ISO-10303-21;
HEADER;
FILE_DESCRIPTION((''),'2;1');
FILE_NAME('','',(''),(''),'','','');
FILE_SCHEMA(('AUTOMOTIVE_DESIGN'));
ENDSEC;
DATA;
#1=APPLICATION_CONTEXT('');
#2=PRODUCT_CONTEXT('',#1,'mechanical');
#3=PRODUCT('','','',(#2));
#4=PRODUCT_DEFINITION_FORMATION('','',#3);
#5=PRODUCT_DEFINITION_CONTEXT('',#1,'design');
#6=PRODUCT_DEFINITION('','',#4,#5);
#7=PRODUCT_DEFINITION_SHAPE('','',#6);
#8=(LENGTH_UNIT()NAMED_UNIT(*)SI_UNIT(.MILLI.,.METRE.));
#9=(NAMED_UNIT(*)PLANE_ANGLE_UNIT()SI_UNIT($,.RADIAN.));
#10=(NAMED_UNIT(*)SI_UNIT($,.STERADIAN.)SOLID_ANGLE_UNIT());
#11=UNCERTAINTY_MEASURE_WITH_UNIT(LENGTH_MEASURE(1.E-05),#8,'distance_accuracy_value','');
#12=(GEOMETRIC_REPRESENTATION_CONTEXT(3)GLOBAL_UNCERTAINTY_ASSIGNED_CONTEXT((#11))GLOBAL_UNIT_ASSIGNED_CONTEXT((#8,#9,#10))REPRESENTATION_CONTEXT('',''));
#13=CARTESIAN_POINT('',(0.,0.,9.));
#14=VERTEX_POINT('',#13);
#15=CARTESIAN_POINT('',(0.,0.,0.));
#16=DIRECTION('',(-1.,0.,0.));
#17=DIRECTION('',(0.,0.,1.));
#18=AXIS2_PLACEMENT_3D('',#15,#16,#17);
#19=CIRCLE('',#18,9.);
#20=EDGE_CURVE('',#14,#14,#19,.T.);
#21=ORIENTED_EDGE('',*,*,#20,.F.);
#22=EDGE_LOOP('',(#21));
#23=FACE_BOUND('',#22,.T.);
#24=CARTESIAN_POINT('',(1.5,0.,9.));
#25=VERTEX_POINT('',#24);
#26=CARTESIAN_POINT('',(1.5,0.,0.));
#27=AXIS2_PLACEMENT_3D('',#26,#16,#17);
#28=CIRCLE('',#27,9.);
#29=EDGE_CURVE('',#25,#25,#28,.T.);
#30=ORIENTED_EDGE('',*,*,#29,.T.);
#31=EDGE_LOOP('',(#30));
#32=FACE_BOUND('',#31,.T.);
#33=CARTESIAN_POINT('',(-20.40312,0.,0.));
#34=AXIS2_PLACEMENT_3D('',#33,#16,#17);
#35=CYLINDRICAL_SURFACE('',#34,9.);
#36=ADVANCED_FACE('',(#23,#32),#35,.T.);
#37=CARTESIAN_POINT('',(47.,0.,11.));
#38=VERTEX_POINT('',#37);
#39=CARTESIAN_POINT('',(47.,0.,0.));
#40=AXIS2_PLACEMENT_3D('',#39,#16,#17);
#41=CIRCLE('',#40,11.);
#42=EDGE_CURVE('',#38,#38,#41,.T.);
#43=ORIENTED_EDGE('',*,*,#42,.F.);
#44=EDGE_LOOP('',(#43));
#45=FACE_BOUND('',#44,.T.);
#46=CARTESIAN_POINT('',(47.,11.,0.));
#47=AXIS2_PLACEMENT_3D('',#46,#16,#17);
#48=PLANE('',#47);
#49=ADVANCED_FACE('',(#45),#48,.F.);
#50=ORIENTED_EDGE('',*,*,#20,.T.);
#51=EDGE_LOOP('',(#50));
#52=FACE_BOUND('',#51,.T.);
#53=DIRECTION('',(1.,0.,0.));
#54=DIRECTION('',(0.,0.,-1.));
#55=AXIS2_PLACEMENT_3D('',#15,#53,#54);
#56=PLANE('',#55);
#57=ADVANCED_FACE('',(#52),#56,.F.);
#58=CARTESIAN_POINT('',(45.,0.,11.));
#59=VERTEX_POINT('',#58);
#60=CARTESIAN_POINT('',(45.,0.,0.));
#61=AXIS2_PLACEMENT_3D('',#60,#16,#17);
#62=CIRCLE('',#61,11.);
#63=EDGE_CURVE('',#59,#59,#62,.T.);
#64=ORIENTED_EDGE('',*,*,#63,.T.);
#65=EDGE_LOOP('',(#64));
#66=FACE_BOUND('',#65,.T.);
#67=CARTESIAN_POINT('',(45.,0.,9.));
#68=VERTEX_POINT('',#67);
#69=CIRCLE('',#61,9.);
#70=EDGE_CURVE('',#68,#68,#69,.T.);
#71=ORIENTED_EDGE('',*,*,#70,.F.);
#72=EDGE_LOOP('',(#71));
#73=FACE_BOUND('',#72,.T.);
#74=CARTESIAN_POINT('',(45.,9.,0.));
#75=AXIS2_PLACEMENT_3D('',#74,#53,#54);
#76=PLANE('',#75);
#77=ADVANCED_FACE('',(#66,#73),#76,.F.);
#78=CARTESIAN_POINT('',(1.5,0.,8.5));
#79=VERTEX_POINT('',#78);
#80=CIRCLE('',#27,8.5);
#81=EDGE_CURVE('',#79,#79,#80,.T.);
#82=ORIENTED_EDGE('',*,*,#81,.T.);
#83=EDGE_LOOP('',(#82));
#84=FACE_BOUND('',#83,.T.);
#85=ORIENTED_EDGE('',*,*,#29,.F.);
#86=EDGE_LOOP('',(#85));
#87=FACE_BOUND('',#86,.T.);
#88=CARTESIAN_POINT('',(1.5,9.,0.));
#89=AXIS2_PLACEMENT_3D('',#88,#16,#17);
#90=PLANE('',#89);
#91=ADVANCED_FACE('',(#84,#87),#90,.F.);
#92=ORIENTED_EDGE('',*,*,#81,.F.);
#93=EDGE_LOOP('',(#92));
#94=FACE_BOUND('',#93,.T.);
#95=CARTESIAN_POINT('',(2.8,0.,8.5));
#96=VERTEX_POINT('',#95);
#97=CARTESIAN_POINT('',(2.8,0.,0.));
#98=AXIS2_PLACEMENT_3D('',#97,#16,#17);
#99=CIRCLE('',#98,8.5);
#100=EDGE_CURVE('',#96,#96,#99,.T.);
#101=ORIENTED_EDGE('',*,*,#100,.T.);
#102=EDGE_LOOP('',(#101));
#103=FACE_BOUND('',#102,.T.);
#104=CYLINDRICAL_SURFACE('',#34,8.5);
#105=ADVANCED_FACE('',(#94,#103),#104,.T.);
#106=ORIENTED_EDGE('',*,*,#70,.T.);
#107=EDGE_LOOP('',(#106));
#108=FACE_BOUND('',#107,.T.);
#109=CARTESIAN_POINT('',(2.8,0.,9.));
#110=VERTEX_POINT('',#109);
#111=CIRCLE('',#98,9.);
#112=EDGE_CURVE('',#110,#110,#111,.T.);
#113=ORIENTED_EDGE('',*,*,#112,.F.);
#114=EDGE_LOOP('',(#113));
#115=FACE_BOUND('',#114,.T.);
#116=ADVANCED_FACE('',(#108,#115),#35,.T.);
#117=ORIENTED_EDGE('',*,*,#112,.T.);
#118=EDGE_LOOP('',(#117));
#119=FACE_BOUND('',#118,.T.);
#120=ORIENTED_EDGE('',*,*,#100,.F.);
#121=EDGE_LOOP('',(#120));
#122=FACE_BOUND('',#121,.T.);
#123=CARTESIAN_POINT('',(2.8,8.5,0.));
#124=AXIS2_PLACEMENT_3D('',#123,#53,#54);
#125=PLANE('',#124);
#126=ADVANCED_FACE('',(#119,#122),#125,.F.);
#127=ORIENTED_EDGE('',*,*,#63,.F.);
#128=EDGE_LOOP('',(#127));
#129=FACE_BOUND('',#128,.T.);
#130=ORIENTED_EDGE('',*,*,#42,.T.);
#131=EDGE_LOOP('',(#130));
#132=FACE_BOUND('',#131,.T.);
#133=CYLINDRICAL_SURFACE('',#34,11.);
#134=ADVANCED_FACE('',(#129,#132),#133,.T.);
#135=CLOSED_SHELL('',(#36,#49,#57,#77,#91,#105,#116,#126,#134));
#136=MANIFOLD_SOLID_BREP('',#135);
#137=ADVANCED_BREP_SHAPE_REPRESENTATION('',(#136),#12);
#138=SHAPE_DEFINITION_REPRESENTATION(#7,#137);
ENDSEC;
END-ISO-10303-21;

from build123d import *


with BuildPart() as part:
    # Skica1 → Rotovat1 (revolve)
    with BuildSketch(Plane.XY):
        Polygon((0, 0), (0, 9), (1.5, 9), (1.5, 8.5), (2.8, 8.5), (2.8, 9), (45, 9), (45, 11), (47, 11), (47, 0), align=None)
    revolve(axis=Axis((-20.403120127, 0, 0), (1, 0, 0)))


solid = part.part
